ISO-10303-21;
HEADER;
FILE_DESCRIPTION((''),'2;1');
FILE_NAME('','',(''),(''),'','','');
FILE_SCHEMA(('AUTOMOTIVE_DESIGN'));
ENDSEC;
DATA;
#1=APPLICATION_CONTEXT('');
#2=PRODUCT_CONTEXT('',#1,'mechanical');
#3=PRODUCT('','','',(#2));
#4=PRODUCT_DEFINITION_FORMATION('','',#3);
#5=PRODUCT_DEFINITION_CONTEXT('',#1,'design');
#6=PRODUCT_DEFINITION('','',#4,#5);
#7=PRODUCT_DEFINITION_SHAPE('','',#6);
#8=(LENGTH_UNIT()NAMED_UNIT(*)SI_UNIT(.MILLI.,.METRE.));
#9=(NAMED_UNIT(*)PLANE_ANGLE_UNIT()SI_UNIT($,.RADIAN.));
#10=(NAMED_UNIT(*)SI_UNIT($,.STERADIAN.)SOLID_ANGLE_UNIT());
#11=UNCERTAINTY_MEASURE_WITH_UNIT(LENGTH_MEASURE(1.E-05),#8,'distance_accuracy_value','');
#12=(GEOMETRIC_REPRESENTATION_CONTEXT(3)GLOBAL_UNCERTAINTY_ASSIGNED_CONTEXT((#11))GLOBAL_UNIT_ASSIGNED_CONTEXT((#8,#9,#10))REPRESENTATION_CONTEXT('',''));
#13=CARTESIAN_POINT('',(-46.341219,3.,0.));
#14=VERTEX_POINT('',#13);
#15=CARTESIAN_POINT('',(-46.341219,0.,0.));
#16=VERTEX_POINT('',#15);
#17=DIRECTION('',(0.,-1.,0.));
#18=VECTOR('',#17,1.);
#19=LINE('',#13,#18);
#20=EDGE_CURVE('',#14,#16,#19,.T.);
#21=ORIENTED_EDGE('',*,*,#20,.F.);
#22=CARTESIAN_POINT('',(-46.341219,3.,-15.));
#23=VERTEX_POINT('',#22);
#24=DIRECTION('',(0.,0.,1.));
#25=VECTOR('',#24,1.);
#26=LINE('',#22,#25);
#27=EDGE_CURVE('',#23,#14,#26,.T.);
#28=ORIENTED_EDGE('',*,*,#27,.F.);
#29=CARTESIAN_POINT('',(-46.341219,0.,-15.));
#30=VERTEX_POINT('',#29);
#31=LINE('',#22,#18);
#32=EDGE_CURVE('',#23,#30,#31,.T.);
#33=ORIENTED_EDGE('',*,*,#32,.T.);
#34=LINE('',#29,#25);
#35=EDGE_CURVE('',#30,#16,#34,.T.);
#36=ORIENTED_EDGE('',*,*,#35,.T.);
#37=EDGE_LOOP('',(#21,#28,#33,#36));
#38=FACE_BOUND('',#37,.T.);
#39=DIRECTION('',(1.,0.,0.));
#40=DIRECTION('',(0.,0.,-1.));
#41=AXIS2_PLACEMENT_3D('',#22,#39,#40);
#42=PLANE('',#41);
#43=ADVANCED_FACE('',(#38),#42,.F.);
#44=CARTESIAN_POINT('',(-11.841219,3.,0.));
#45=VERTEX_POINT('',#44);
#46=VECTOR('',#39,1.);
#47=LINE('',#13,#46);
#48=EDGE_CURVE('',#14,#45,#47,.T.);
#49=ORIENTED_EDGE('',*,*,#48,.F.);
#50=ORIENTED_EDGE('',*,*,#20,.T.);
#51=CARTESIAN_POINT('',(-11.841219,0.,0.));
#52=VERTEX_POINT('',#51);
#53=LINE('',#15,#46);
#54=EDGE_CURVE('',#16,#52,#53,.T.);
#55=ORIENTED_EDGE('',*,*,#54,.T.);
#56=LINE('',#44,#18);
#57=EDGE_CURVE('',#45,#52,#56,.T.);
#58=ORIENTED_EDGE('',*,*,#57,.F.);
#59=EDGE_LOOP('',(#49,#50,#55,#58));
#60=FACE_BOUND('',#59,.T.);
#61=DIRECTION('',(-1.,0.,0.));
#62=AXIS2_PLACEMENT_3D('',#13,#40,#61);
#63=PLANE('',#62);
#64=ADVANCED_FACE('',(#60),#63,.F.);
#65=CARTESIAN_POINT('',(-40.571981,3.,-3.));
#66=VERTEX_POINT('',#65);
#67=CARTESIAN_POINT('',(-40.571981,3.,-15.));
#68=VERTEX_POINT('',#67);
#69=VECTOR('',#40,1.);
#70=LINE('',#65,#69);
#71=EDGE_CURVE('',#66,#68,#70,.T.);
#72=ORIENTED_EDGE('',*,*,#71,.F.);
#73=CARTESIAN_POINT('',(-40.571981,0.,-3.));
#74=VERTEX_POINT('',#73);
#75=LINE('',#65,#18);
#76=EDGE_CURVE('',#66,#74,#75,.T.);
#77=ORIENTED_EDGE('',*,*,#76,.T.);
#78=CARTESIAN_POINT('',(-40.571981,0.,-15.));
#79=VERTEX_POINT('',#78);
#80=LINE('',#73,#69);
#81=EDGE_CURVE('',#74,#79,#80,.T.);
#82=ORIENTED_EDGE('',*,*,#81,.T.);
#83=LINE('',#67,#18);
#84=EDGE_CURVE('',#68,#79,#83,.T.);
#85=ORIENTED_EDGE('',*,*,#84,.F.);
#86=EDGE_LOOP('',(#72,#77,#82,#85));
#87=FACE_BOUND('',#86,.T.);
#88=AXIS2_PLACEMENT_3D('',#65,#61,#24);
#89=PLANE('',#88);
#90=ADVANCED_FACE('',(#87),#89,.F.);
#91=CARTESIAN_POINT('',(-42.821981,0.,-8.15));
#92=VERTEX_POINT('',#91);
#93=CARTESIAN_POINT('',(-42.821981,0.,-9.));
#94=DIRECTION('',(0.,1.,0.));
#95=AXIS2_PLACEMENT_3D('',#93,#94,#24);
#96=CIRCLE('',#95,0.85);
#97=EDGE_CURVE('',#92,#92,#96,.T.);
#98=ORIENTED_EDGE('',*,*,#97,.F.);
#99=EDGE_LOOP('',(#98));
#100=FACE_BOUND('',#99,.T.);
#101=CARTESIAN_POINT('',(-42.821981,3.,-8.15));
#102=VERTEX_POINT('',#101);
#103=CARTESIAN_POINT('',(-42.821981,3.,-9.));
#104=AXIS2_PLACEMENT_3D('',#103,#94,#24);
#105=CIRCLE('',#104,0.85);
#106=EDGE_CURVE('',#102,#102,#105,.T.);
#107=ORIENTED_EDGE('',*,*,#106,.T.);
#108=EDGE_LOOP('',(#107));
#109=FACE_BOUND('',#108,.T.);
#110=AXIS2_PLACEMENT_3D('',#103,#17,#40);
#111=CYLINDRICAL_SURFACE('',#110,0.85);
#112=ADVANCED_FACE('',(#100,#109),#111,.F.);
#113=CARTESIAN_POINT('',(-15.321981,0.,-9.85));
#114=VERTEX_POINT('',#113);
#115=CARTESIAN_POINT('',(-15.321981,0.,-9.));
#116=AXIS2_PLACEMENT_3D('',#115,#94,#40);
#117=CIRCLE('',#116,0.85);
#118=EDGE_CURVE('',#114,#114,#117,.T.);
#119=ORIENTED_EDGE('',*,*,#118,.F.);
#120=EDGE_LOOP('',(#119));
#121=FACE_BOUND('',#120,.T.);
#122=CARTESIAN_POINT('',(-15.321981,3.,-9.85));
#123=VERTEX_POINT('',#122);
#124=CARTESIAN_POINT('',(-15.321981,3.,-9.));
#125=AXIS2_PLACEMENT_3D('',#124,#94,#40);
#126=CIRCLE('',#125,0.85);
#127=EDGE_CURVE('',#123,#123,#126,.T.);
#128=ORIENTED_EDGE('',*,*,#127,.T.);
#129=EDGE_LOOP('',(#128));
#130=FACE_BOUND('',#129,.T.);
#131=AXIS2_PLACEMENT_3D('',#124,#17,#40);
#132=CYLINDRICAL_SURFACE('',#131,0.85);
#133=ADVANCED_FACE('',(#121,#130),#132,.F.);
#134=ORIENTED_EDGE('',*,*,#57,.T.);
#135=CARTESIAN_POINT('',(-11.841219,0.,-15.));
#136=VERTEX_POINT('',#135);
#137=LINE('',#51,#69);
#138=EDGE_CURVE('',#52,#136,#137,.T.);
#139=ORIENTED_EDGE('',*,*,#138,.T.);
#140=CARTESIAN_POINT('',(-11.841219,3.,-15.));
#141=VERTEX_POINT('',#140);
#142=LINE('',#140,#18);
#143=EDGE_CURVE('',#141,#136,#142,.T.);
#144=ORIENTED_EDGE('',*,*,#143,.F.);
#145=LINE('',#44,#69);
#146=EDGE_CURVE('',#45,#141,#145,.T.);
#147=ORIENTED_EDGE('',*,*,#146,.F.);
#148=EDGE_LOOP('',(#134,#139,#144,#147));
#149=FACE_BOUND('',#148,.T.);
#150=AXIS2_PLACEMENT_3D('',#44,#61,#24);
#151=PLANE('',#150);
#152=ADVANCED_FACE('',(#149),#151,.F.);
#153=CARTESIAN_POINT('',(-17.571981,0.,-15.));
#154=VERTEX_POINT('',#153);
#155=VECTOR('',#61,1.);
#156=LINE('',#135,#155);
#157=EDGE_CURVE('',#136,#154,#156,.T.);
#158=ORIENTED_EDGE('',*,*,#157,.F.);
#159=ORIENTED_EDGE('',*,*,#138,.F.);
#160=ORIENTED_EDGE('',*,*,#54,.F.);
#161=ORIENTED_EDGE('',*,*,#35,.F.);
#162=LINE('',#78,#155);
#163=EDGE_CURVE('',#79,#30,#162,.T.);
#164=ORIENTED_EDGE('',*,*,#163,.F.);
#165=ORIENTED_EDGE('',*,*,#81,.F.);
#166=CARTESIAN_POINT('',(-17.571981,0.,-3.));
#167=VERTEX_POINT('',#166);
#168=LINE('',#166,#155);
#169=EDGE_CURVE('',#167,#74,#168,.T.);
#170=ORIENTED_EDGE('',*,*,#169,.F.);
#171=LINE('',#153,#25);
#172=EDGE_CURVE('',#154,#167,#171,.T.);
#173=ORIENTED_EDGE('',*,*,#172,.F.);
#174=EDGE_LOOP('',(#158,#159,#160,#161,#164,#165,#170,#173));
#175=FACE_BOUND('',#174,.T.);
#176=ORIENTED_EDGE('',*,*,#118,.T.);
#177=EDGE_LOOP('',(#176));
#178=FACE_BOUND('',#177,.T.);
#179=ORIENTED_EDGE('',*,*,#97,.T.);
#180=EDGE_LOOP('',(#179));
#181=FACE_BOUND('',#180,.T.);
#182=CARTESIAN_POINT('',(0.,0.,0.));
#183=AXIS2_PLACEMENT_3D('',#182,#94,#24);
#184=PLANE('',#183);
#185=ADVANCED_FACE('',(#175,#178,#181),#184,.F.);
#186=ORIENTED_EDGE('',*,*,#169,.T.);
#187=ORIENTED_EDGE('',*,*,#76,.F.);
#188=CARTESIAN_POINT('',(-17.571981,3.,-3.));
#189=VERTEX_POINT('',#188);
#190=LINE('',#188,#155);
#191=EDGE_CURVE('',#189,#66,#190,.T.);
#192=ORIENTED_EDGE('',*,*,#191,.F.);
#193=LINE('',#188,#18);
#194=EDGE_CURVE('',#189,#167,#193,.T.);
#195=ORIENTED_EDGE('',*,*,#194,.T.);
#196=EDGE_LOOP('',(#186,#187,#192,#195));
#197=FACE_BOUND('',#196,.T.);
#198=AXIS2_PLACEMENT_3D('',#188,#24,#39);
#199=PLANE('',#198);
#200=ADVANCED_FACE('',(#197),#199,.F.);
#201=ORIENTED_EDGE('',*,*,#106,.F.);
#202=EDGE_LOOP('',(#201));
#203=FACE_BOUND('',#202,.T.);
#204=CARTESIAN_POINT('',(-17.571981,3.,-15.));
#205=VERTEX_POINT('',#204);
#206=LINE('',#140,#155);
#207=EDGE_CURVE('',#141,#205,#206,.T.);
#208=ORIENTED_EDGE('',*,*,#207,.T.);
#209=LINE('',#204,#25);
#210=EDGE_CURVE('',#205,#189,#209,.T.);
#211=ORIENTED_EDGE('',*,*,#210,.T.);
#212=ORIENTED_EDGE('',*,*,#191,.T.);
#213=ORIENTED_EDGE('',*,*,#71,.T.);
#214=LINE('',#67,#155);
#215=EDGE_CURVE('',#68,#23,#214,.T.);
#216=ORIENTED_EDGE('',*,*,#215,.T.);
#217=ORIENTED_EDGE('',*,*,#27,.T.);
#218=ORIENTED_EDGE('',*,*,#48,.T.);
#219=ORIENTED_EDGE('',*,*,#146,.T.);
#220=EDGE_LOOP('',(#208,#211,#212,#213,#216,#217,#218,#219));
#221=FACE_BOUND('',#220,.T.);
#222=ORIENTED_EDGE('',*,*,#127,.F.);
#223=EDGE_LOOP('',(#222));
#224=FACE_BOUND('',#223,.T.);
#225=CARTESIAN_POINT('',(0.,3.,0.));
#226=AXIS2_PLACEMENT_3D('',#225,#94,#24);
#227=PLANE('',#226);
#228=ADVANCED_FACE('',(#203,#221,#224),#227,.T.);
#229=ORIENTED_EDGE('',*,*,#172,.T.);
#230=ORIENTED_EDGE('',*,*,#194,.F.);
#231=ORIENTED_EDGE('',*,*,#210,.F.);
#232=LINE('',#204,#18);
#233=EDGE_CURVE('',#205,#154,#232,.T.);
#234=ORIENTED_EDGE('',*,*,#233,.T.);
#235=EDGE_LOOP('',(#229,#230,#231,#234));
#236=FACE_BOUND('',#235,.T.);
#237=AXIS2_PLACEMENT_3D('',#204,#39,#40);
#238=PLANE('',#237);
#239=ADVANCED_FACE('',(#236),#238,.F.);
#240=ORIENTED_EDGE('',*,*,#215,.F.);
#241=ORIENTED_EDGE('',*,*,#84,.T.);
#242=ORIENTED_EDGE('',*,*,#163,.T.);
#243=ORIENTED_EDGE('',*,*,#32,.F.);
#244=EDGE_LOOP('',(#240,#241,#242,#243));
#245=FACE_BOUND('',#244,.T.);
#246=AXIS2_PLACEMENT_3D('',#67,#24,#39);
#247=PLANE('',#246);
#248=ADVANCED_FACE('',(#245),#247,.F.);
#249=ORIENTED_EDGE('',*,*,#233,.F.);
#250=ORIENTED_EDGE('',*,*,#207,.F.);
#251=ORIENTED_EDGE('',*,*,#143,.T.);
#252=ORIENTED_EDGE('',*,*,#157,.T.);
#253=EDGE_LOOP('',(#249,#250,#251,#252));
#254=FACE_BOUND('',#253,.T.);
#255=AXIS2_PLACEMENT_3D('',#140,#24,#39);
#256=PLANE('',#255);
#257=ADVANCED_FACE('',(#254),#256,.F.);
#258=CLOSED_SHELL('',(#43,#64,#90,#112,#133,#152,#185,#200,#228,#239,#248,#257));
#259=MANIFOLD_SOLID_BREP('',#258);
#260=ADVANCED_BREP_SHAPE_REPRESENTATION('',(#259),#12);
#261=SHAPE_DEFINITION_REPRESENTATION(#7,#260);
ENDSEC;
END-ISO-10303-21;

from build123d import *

# Parameters (mm, degrees)
SKETCH_1_R      = 0.85
EXTRUDE_1_DEPTH = 3


with BuildPart() as part:
    # 草图1 → 凸台-拉伸1 (new body)
    with BuildSketch(Plane(origin=(0, 0, 0), x_dir=(1, 0, 0), z_dir=(0, 1, 0))):
        Polygon((-46.341219144, 15), (-46.341219144, 0), (-11.841219144, 0), (-11.841219144, 15), (-17.571981334, 15), (-17.571981334, 3), (-40.571981334, 3), (-40.571981334, 15), align=None)
        with Locations(Location((-42.821981334, 9, 0), (0, 0, 270))):
            Circle(SKETCH_1_R, mode=Mode.SUBTRACT)
        with Locations(Location((-15.321981334, 9, 0), (0, 0, 90))):
            Circle(SKETCH_1_R, mode=Mode.SUBTRACT)
    extrude(amount=EXTRUDE_1_DEPTH)


solid = part.part
